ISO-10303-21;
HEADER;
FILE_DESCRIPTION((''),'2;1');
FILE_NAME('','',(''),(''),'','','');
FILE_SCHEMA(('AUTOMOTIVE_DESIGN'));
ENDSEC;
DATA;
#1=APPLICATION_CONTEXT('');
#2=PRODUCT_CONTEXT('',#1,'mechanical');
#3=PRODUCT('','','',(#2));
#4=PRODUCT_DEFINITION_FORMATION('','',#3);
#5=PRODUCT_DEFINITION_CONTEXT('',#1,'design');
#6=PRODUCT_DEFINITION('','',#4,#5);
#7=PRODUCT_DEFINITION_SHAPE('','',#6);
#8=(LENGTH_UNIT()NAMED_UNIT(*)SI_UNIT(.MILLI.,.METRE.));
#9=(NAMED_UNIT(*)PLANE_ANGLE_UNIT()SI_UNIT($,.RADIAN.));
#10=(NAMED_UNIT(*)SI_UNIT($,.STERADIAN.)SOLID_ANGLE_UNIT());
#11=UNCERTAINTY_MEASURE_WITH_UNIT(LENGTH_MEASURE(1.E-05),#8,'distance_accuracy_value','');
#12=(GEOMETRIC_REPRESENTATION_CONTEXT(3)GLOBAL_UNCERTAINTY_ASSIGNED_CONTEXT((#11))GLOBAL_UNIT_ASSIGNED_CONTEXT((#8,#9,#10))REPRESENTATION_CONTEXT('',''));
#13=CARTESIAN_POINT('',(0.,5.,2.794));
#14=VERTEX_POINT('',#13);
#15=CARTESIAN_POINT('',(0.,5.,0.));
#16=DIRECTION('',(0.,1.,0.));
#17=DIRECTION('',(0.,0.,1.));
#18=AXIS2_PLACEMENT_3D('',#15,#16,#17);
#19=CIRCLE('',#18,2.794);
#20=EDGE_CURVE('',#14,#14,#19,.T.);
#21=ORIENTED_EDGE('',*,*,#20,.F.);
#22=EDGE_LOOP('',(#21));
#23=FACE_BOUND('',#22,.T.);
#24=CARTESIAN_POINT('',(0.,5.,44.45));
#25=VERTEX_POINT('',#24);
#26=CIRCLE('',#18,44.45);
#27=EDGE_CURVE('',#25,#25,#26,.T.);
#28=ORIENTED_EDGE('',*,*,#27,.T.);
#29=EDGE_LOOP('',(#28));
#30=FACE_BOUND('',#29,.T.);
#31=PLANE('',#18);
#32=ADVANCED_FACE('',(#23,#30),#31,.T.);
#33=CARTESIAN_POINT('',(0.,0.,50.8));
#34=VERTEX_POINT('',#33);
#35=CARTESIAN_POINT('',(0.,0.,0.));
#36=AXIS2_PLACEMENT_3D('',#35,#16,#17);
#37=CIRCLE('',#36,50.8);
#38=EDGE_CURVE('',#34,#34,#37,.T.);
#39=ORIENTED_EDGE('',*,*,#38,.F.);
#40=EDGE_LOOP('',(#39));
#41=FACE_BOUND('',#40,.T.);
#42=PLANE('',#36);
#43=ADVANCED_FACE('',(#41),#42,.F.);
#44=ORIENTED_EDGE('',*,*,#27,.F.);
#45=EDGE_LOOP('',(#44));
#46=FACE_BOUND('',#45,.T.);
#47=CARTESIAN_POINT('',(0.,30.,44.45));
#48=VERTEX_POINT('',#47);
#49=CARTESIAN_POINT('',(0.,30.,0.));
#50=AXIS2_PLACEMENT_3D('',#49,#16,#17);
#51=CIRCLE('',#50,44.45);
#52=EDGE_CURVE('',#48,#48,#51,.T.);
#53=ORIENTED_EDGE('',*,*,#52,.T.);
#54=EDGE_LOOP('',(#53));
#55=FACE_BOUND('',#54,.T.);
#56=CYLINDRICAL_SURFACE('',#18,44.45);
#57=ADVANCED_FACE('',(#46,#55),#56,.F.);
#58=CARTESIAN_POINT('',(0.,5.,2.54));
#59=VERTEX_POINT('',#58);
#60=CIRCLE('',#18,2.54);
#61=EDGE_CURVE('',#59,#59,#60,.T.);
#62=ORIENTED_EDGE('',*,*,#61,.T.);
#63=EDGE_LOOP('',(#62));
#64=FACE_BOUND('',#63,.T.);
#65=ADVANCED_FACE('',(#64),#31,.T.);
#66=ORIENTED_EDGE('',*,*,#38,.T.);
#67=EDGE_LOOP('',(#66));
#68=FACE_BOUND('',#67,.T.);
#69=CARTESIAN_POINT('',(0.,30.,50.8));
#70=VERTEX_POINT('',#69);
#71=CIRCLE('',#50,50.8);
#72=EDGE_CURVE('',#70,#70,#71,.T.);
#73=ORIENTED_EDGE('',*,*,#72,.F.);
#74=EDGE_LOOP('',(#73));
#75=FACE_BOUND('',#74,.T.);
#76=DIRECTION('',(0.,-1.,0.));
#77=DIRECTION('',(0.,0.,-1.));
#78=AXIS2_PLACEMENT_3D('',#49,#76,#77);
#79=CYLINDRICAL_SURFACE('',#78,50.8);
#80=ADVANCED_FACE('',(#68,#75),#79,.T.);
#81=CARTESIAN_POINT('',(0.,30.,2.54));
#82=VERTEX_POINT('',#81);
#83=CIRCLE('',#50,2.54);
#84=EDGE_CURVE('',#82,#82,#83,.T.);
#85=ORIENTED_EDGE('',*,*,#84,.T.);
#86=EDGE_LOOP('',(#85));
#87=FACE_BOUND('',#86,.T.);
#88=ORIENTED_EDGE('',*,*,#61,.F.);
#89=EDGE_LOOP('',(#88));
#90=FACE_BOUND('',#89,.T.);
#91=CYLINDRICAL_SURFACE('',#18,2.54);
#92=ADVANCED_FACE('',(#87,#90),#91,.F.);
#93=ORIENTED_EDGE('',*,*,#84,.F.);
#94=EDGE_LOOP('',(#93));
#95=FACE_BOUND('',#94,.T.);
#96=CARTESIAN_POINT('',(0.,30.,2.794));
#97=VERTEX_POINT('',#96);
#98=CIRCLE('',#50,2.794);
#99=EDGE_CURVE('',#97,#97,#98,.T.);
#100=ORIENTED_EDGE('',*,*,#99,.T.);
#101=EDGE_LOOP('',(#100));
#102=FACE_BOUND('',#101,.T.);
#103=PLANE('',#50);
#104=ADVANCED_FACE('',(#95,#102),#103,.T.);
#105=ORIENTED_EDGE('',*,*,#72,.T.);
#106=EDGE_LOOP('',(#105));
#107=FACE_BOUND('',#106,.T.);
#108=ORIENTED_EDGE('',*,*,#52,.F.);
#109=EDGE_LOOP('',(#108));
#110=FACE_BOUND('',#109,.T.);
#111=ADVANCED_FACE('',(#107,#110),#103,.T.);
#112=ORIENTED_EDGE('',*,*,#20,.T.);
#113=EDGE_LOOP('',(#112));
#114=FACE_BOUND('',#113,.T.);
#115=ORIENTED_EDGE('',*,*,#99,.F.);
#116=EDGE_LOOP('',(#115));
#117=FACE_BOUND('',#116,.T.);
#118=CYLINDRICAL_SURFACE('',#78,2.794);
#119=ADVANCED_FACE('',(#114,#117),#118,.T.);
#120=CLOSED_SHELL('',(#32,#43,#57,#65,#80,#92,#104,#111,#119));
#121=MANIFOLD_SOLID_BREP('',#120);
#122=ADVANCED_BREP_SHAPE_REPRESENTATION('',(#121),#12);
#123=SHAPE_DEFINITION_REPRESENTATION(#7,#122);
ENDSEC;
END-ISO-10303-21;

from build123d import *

# Parameters (mm, degrees)
SKETCH1_R           = 50.8
BOSS_EXTRUDE2_DEPTH = 30
SKETCH3_R           = 44.45
CUT_EXTRUDE1_DEPTH  = 25
SKETCH4_R           = 2.794
BOSS_EXTRUDE3_DEPTH = 25
SKETCH5_R           = 2.54
CUT_EXTRUDE2_DEPTH  = 25


with BuildPart() as part:
    # Sketch1 → Boss-Extrude2 (new body)
    with BuildSketch(Plane(origin=(0, 0, 0), x_dir=(1, 0, 0), z_dir=(0, 1, 0))):
        Circle(SKETCH1_R)
    extrude(amount=BOSS_EXTRUDE2_DEPTH)

    # Sketch3 → Cut-Extrude1 (cut)
    with BuildSketch(Plane(origin=(0, 30, 0), x_dir=(1, 0, 0), z_dir=(0, 1, 0))):
        Circle(SKETCH3_R)
    extrude(amount=-CUT_EXTRUDE1_DEPTH, mode=Mode.SUBTRACT)

    # Sketch4 → Boss-Extrude3 (add)
    with BuildSketch(Plane(origin=(0, 5, 0), x_dir=(1, 0, 0), z_dir=(0, 1, 0))):
        Circle(SKETCH4_R)
    extrude(amount=BOSS_EXTRUDE3_DEPTH)

    # Sketch5 → Cut-Extrude2 (cut)
    with BuildSketch(Plane(origin=(0, 30, 0), x_dir=(1, 0, 0), z_dir=(0, 1, 0))):
        Circle(SKETCH5_R)
    extrude(amount=-CUT_EXTRUDE2_DEPTH, mode=Mode.SUBTRACT)


solid = part.part
